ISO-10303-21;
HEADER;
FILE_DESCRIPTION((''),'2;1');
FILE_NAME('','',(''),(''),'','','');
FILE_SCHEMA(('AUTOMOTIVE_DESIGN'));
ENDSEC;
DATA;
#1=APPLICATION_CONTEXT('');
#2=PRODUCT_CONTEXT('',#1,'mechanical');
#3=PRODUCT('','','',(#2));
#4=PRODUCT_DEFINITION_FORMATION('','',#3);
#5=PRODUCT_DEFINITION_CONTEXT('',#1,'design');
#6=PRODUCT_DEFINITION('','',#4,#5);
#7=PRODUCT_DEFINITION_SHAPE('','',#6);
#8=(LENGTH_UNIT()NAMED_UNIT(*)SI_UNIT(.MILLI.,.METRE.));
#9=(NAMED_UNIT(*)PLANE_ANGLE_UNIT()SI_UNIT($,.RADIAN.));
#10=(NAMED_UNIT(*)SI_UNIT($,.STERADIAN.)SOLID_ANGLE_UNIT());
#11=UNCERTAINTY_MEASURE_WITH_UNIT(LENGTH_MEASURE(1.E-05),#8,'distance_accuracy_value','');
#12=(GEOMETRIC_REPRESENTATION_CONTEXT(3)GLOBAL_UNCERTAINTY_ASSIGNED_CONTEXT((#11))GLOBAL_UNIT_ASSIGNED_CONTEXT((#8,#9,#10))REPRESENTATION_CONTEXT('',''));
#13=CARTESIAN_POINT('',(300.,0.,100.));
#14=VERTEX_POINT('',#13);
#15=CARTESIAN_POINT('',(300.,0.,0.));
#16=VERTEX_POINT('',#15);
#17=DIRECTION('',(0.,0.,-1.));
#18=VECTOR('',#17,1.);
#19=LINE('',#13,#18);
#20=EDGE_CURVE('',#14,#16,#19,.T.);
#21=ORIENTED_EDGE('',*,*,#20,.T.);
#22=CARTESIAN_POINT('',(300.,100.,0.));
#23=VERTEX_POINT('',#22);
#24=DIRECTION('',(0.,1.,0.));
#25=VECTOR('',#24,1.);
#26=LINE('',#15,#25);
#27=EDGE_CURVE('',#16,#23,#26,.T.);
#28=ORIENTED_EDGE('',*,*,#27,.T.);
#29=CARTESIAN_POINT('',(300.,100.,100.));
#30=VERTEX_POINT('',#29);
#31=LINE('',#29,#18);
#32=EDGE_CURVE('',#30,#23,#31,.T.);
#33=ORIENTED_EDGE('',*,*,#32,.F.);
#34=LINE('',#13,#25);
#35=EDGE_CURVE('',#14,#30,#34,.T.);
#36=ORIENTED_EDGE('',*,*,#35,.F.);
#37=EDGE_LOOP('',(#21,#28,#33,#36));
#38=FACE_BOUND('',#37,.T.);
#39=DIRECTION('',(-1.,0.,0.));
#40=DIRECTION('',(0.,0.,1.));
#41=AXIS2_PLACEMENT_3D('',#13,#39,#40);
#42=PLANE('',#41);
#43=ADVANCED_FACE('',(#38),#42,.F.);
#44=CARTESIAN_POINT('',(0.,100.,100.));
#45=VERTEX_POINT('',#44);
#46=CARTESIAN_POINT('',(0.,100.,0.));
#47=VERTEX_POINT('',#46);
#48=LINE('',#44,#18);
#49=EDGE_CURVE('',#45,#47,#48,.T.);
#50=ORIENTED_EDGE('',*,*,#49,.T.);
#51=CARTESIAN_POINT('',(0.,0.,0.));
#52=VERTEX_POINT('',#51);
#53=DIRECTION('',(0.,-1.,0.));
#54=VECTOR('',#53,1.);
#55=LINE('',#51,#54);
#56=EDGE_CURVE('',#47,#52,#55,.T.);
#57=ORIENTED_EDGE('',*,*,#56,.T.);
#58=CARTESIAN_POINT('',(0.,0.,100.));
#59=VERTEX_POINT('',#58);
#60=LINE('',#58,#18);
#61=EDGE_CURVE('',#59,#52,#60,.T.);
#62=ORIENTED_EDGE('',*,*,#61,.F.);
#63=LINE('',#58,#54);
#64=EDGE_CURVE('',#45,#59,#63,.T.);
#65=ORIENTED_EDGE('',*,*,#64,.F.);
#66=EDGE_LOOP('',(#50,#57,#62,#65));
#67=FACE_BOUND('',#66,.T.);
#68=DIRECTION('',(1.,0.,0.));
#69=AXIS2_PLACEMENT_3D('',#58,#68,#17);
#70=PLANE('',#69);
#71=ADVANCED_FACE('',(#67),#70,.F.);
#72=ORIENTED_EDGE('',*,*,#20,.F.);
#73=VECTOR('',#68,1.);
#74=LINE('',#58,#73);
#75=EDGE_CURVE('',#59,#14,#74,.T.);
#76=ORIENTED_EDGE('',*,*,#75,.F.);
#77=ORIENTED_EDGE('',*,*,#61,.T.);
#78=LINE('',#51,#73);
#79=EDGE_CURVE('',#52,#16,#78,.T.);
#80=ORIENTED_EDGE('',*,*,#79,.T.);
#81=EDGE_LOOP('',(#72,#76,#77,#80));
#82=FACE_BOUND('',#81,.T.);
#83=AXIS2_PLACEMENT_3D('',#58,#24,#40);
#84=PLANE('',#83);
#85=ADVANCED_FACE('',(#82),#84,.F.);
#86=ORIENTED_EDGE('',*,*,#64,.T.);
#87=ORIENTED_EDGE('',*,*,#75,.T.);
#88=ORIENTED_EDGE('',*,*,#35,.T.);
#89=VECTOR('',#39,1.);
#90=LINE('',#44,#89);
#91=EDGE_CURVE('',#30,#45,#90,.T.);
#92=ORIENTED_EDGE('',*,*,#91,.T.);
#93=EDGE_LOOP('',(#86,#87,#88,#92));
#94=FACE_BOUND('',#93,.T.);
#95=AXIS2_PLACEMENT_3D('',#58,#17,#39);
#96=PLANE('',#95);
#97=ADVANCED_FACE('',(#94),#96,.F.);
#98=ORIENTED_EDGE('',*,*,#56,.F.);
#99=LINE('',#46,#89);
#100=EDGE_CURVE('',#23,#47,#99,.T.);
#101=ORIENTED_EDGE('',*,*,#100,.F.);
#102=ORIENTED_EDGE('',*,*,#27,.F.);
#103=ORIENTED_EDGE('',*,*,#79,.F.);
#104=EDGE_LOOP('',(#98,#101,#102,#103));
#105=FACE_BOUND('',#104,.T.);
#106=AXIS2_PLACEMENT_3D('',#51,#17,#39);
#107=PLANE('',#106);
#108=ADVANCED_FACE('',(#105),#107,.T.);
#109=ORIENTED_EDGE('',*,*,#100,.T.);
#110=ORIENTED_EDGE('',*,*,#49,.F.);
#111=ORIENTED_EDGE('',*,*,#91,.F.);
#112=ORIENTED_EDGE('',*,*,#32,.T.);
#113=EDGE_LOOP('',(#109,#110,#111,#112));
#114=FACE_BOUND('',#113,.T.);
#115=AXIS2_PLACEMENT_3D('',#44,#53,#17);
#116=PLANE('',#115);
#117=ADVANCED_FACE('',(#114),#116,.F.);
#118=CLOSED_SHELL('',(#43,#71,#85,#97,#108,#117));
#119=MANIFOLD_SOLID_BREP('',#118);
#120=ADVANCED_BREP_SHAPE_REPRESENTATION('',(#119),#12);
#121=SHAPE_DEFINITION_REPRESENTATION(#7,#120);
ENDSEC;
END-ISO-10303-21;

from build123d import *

# Parameters (mm, degrees)
SKETCH2_W           = 300
SKETCH2_H           = 100
BOSS_EXTRUDE1_DEPTH = 100


with BuildPart() as part:
    # Sketch2 → Boss-Extrude1 (new body)
    with BuildSketch(Plane.XY):
        with Locations((150, 50)):
            Rectangle(SKETCH2_W, SKETCH2_H)
    extrude(amount=BOSS_EXTRUDE1_DEPTH)


solid = part.part
